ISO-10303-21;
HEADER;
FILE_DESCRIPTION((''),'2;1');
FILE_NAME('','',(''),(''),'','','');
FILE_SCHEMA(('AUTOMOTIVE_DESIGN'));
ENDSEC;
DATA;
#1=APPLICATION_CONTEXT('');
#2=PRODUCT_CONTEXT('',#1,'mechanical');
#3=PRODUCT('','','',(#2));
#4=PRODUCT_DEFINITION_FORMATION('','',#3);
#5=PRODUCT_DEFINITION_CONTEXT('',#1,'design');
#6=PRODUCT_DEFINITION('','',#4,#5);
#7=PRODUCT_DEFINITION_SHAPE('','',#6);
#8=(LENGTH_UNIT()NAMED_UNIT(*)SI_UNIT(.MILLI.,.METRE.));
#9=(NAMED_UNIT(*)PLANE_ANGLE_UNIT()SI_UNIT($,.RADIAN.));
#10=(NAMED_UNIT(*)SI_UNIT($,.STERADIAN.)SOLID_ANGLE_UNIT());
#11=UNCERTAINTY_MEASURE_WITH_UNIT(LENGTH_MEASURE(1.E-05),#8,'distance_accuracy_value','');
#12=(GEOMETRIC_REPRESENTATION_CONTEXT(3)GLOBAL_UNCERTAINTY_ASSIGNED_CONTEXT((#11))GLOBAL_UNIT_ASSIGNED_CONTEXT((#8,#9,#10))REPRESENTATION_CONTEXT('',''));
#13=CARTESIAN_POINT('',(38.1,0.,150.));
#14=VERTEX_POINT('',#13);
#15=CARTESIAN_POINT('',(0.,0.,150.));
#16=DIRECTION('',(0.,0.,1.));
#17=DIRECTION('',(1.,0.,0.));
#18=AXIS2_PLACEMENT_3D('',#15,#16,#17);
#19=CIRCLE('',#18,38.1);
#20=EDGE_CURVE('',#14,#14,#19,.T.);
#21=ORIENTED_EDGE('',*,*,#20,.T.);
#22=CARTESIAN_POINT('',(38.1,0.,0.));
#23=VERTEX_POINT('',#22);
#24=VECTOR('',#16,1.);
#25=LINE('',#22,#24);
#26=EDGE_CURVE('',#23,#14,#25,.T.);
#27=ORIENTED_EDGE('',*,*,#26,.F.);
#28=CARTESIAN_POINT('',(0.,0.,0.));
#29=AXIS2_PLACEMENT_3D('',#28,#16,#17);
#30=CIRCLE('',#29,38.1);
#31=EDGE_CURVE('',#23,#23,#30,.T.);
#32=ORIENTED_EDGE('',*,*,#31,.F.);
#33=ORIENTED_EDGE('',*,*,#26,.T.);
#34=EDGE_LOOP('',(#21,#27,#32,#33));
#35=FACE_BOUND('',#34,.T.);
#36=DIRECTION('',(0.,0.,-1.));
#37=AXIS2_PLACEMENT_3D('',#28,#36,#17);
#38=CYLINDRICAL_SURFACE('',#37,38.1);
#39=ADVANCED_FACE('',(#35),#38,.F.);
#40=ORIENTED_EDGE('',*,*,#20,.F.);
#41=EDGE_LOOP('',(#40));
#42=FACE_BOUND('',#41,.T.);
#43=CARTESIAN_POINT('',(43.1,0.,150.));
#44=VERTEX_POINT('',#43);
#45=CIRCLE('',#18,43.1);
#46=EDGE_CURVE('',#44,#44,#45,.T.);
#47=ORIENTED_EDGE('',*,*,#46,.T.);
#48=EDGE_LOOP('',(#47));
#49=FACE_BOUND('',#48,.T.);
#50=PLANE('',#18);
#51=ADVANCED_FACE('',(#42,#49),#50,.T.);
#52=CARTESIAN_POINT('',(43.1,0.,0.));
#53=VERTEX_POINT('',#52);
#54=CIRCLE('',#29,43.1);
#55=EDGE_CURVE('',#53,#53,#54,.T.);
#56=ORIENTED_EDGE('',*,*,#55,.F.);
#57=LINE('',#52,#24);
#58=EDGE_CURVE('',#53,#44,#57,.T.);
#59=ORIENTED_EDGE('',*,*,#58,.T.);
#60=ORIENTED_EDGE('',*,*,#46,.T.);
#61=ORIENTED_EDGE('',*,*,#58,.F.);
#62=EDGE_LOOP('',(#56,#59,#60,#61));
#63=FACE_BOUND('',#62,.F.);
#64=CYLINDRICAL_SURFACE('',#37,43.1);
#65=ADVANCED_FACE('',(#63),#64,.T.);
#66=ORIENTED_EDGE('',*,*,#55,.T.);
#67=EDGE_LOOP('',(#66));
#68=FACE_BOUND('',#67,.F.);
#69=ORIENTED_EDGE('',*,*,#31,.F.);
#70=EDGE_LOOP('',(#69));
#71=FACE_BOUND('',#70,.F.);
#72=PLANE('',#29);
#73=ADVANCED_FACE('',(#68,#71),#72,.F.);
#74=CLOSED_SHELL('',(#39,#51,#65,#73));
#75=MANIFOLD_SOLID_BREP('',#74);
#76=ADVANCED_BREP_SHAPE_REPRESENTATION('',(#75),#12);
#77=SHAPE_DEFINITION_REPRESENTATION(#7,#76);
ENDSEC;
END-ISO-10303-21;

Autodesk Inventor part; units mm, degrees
ref_plane "YZ Plane" through (0, 0, 0) normal (1, 0, 0) x (0, 1, 0)
ref_plane "XZ Plane" through (0, 0, 0) normal (0, 1, 0) x (-1, 0, 0)
ref_plane "XY Plane" through (0, 0, 0) normal (0, 0, 1) x (1, 0, 0)
sketch "Sketch1" plane through (0, 0, 0) normal (0, 0, 1) x (1, 0, 0)
  circle A0 centre (0, 0) radius 38.1
  circle A1 centre (0, 0) radius 43.1
  dimension "d0" = 76.2
  dimension "d1" = 5
extrude "Extrusion1" add sketch "Sketch1" along normal blind 150
properties part number "Pipe For Testing"
